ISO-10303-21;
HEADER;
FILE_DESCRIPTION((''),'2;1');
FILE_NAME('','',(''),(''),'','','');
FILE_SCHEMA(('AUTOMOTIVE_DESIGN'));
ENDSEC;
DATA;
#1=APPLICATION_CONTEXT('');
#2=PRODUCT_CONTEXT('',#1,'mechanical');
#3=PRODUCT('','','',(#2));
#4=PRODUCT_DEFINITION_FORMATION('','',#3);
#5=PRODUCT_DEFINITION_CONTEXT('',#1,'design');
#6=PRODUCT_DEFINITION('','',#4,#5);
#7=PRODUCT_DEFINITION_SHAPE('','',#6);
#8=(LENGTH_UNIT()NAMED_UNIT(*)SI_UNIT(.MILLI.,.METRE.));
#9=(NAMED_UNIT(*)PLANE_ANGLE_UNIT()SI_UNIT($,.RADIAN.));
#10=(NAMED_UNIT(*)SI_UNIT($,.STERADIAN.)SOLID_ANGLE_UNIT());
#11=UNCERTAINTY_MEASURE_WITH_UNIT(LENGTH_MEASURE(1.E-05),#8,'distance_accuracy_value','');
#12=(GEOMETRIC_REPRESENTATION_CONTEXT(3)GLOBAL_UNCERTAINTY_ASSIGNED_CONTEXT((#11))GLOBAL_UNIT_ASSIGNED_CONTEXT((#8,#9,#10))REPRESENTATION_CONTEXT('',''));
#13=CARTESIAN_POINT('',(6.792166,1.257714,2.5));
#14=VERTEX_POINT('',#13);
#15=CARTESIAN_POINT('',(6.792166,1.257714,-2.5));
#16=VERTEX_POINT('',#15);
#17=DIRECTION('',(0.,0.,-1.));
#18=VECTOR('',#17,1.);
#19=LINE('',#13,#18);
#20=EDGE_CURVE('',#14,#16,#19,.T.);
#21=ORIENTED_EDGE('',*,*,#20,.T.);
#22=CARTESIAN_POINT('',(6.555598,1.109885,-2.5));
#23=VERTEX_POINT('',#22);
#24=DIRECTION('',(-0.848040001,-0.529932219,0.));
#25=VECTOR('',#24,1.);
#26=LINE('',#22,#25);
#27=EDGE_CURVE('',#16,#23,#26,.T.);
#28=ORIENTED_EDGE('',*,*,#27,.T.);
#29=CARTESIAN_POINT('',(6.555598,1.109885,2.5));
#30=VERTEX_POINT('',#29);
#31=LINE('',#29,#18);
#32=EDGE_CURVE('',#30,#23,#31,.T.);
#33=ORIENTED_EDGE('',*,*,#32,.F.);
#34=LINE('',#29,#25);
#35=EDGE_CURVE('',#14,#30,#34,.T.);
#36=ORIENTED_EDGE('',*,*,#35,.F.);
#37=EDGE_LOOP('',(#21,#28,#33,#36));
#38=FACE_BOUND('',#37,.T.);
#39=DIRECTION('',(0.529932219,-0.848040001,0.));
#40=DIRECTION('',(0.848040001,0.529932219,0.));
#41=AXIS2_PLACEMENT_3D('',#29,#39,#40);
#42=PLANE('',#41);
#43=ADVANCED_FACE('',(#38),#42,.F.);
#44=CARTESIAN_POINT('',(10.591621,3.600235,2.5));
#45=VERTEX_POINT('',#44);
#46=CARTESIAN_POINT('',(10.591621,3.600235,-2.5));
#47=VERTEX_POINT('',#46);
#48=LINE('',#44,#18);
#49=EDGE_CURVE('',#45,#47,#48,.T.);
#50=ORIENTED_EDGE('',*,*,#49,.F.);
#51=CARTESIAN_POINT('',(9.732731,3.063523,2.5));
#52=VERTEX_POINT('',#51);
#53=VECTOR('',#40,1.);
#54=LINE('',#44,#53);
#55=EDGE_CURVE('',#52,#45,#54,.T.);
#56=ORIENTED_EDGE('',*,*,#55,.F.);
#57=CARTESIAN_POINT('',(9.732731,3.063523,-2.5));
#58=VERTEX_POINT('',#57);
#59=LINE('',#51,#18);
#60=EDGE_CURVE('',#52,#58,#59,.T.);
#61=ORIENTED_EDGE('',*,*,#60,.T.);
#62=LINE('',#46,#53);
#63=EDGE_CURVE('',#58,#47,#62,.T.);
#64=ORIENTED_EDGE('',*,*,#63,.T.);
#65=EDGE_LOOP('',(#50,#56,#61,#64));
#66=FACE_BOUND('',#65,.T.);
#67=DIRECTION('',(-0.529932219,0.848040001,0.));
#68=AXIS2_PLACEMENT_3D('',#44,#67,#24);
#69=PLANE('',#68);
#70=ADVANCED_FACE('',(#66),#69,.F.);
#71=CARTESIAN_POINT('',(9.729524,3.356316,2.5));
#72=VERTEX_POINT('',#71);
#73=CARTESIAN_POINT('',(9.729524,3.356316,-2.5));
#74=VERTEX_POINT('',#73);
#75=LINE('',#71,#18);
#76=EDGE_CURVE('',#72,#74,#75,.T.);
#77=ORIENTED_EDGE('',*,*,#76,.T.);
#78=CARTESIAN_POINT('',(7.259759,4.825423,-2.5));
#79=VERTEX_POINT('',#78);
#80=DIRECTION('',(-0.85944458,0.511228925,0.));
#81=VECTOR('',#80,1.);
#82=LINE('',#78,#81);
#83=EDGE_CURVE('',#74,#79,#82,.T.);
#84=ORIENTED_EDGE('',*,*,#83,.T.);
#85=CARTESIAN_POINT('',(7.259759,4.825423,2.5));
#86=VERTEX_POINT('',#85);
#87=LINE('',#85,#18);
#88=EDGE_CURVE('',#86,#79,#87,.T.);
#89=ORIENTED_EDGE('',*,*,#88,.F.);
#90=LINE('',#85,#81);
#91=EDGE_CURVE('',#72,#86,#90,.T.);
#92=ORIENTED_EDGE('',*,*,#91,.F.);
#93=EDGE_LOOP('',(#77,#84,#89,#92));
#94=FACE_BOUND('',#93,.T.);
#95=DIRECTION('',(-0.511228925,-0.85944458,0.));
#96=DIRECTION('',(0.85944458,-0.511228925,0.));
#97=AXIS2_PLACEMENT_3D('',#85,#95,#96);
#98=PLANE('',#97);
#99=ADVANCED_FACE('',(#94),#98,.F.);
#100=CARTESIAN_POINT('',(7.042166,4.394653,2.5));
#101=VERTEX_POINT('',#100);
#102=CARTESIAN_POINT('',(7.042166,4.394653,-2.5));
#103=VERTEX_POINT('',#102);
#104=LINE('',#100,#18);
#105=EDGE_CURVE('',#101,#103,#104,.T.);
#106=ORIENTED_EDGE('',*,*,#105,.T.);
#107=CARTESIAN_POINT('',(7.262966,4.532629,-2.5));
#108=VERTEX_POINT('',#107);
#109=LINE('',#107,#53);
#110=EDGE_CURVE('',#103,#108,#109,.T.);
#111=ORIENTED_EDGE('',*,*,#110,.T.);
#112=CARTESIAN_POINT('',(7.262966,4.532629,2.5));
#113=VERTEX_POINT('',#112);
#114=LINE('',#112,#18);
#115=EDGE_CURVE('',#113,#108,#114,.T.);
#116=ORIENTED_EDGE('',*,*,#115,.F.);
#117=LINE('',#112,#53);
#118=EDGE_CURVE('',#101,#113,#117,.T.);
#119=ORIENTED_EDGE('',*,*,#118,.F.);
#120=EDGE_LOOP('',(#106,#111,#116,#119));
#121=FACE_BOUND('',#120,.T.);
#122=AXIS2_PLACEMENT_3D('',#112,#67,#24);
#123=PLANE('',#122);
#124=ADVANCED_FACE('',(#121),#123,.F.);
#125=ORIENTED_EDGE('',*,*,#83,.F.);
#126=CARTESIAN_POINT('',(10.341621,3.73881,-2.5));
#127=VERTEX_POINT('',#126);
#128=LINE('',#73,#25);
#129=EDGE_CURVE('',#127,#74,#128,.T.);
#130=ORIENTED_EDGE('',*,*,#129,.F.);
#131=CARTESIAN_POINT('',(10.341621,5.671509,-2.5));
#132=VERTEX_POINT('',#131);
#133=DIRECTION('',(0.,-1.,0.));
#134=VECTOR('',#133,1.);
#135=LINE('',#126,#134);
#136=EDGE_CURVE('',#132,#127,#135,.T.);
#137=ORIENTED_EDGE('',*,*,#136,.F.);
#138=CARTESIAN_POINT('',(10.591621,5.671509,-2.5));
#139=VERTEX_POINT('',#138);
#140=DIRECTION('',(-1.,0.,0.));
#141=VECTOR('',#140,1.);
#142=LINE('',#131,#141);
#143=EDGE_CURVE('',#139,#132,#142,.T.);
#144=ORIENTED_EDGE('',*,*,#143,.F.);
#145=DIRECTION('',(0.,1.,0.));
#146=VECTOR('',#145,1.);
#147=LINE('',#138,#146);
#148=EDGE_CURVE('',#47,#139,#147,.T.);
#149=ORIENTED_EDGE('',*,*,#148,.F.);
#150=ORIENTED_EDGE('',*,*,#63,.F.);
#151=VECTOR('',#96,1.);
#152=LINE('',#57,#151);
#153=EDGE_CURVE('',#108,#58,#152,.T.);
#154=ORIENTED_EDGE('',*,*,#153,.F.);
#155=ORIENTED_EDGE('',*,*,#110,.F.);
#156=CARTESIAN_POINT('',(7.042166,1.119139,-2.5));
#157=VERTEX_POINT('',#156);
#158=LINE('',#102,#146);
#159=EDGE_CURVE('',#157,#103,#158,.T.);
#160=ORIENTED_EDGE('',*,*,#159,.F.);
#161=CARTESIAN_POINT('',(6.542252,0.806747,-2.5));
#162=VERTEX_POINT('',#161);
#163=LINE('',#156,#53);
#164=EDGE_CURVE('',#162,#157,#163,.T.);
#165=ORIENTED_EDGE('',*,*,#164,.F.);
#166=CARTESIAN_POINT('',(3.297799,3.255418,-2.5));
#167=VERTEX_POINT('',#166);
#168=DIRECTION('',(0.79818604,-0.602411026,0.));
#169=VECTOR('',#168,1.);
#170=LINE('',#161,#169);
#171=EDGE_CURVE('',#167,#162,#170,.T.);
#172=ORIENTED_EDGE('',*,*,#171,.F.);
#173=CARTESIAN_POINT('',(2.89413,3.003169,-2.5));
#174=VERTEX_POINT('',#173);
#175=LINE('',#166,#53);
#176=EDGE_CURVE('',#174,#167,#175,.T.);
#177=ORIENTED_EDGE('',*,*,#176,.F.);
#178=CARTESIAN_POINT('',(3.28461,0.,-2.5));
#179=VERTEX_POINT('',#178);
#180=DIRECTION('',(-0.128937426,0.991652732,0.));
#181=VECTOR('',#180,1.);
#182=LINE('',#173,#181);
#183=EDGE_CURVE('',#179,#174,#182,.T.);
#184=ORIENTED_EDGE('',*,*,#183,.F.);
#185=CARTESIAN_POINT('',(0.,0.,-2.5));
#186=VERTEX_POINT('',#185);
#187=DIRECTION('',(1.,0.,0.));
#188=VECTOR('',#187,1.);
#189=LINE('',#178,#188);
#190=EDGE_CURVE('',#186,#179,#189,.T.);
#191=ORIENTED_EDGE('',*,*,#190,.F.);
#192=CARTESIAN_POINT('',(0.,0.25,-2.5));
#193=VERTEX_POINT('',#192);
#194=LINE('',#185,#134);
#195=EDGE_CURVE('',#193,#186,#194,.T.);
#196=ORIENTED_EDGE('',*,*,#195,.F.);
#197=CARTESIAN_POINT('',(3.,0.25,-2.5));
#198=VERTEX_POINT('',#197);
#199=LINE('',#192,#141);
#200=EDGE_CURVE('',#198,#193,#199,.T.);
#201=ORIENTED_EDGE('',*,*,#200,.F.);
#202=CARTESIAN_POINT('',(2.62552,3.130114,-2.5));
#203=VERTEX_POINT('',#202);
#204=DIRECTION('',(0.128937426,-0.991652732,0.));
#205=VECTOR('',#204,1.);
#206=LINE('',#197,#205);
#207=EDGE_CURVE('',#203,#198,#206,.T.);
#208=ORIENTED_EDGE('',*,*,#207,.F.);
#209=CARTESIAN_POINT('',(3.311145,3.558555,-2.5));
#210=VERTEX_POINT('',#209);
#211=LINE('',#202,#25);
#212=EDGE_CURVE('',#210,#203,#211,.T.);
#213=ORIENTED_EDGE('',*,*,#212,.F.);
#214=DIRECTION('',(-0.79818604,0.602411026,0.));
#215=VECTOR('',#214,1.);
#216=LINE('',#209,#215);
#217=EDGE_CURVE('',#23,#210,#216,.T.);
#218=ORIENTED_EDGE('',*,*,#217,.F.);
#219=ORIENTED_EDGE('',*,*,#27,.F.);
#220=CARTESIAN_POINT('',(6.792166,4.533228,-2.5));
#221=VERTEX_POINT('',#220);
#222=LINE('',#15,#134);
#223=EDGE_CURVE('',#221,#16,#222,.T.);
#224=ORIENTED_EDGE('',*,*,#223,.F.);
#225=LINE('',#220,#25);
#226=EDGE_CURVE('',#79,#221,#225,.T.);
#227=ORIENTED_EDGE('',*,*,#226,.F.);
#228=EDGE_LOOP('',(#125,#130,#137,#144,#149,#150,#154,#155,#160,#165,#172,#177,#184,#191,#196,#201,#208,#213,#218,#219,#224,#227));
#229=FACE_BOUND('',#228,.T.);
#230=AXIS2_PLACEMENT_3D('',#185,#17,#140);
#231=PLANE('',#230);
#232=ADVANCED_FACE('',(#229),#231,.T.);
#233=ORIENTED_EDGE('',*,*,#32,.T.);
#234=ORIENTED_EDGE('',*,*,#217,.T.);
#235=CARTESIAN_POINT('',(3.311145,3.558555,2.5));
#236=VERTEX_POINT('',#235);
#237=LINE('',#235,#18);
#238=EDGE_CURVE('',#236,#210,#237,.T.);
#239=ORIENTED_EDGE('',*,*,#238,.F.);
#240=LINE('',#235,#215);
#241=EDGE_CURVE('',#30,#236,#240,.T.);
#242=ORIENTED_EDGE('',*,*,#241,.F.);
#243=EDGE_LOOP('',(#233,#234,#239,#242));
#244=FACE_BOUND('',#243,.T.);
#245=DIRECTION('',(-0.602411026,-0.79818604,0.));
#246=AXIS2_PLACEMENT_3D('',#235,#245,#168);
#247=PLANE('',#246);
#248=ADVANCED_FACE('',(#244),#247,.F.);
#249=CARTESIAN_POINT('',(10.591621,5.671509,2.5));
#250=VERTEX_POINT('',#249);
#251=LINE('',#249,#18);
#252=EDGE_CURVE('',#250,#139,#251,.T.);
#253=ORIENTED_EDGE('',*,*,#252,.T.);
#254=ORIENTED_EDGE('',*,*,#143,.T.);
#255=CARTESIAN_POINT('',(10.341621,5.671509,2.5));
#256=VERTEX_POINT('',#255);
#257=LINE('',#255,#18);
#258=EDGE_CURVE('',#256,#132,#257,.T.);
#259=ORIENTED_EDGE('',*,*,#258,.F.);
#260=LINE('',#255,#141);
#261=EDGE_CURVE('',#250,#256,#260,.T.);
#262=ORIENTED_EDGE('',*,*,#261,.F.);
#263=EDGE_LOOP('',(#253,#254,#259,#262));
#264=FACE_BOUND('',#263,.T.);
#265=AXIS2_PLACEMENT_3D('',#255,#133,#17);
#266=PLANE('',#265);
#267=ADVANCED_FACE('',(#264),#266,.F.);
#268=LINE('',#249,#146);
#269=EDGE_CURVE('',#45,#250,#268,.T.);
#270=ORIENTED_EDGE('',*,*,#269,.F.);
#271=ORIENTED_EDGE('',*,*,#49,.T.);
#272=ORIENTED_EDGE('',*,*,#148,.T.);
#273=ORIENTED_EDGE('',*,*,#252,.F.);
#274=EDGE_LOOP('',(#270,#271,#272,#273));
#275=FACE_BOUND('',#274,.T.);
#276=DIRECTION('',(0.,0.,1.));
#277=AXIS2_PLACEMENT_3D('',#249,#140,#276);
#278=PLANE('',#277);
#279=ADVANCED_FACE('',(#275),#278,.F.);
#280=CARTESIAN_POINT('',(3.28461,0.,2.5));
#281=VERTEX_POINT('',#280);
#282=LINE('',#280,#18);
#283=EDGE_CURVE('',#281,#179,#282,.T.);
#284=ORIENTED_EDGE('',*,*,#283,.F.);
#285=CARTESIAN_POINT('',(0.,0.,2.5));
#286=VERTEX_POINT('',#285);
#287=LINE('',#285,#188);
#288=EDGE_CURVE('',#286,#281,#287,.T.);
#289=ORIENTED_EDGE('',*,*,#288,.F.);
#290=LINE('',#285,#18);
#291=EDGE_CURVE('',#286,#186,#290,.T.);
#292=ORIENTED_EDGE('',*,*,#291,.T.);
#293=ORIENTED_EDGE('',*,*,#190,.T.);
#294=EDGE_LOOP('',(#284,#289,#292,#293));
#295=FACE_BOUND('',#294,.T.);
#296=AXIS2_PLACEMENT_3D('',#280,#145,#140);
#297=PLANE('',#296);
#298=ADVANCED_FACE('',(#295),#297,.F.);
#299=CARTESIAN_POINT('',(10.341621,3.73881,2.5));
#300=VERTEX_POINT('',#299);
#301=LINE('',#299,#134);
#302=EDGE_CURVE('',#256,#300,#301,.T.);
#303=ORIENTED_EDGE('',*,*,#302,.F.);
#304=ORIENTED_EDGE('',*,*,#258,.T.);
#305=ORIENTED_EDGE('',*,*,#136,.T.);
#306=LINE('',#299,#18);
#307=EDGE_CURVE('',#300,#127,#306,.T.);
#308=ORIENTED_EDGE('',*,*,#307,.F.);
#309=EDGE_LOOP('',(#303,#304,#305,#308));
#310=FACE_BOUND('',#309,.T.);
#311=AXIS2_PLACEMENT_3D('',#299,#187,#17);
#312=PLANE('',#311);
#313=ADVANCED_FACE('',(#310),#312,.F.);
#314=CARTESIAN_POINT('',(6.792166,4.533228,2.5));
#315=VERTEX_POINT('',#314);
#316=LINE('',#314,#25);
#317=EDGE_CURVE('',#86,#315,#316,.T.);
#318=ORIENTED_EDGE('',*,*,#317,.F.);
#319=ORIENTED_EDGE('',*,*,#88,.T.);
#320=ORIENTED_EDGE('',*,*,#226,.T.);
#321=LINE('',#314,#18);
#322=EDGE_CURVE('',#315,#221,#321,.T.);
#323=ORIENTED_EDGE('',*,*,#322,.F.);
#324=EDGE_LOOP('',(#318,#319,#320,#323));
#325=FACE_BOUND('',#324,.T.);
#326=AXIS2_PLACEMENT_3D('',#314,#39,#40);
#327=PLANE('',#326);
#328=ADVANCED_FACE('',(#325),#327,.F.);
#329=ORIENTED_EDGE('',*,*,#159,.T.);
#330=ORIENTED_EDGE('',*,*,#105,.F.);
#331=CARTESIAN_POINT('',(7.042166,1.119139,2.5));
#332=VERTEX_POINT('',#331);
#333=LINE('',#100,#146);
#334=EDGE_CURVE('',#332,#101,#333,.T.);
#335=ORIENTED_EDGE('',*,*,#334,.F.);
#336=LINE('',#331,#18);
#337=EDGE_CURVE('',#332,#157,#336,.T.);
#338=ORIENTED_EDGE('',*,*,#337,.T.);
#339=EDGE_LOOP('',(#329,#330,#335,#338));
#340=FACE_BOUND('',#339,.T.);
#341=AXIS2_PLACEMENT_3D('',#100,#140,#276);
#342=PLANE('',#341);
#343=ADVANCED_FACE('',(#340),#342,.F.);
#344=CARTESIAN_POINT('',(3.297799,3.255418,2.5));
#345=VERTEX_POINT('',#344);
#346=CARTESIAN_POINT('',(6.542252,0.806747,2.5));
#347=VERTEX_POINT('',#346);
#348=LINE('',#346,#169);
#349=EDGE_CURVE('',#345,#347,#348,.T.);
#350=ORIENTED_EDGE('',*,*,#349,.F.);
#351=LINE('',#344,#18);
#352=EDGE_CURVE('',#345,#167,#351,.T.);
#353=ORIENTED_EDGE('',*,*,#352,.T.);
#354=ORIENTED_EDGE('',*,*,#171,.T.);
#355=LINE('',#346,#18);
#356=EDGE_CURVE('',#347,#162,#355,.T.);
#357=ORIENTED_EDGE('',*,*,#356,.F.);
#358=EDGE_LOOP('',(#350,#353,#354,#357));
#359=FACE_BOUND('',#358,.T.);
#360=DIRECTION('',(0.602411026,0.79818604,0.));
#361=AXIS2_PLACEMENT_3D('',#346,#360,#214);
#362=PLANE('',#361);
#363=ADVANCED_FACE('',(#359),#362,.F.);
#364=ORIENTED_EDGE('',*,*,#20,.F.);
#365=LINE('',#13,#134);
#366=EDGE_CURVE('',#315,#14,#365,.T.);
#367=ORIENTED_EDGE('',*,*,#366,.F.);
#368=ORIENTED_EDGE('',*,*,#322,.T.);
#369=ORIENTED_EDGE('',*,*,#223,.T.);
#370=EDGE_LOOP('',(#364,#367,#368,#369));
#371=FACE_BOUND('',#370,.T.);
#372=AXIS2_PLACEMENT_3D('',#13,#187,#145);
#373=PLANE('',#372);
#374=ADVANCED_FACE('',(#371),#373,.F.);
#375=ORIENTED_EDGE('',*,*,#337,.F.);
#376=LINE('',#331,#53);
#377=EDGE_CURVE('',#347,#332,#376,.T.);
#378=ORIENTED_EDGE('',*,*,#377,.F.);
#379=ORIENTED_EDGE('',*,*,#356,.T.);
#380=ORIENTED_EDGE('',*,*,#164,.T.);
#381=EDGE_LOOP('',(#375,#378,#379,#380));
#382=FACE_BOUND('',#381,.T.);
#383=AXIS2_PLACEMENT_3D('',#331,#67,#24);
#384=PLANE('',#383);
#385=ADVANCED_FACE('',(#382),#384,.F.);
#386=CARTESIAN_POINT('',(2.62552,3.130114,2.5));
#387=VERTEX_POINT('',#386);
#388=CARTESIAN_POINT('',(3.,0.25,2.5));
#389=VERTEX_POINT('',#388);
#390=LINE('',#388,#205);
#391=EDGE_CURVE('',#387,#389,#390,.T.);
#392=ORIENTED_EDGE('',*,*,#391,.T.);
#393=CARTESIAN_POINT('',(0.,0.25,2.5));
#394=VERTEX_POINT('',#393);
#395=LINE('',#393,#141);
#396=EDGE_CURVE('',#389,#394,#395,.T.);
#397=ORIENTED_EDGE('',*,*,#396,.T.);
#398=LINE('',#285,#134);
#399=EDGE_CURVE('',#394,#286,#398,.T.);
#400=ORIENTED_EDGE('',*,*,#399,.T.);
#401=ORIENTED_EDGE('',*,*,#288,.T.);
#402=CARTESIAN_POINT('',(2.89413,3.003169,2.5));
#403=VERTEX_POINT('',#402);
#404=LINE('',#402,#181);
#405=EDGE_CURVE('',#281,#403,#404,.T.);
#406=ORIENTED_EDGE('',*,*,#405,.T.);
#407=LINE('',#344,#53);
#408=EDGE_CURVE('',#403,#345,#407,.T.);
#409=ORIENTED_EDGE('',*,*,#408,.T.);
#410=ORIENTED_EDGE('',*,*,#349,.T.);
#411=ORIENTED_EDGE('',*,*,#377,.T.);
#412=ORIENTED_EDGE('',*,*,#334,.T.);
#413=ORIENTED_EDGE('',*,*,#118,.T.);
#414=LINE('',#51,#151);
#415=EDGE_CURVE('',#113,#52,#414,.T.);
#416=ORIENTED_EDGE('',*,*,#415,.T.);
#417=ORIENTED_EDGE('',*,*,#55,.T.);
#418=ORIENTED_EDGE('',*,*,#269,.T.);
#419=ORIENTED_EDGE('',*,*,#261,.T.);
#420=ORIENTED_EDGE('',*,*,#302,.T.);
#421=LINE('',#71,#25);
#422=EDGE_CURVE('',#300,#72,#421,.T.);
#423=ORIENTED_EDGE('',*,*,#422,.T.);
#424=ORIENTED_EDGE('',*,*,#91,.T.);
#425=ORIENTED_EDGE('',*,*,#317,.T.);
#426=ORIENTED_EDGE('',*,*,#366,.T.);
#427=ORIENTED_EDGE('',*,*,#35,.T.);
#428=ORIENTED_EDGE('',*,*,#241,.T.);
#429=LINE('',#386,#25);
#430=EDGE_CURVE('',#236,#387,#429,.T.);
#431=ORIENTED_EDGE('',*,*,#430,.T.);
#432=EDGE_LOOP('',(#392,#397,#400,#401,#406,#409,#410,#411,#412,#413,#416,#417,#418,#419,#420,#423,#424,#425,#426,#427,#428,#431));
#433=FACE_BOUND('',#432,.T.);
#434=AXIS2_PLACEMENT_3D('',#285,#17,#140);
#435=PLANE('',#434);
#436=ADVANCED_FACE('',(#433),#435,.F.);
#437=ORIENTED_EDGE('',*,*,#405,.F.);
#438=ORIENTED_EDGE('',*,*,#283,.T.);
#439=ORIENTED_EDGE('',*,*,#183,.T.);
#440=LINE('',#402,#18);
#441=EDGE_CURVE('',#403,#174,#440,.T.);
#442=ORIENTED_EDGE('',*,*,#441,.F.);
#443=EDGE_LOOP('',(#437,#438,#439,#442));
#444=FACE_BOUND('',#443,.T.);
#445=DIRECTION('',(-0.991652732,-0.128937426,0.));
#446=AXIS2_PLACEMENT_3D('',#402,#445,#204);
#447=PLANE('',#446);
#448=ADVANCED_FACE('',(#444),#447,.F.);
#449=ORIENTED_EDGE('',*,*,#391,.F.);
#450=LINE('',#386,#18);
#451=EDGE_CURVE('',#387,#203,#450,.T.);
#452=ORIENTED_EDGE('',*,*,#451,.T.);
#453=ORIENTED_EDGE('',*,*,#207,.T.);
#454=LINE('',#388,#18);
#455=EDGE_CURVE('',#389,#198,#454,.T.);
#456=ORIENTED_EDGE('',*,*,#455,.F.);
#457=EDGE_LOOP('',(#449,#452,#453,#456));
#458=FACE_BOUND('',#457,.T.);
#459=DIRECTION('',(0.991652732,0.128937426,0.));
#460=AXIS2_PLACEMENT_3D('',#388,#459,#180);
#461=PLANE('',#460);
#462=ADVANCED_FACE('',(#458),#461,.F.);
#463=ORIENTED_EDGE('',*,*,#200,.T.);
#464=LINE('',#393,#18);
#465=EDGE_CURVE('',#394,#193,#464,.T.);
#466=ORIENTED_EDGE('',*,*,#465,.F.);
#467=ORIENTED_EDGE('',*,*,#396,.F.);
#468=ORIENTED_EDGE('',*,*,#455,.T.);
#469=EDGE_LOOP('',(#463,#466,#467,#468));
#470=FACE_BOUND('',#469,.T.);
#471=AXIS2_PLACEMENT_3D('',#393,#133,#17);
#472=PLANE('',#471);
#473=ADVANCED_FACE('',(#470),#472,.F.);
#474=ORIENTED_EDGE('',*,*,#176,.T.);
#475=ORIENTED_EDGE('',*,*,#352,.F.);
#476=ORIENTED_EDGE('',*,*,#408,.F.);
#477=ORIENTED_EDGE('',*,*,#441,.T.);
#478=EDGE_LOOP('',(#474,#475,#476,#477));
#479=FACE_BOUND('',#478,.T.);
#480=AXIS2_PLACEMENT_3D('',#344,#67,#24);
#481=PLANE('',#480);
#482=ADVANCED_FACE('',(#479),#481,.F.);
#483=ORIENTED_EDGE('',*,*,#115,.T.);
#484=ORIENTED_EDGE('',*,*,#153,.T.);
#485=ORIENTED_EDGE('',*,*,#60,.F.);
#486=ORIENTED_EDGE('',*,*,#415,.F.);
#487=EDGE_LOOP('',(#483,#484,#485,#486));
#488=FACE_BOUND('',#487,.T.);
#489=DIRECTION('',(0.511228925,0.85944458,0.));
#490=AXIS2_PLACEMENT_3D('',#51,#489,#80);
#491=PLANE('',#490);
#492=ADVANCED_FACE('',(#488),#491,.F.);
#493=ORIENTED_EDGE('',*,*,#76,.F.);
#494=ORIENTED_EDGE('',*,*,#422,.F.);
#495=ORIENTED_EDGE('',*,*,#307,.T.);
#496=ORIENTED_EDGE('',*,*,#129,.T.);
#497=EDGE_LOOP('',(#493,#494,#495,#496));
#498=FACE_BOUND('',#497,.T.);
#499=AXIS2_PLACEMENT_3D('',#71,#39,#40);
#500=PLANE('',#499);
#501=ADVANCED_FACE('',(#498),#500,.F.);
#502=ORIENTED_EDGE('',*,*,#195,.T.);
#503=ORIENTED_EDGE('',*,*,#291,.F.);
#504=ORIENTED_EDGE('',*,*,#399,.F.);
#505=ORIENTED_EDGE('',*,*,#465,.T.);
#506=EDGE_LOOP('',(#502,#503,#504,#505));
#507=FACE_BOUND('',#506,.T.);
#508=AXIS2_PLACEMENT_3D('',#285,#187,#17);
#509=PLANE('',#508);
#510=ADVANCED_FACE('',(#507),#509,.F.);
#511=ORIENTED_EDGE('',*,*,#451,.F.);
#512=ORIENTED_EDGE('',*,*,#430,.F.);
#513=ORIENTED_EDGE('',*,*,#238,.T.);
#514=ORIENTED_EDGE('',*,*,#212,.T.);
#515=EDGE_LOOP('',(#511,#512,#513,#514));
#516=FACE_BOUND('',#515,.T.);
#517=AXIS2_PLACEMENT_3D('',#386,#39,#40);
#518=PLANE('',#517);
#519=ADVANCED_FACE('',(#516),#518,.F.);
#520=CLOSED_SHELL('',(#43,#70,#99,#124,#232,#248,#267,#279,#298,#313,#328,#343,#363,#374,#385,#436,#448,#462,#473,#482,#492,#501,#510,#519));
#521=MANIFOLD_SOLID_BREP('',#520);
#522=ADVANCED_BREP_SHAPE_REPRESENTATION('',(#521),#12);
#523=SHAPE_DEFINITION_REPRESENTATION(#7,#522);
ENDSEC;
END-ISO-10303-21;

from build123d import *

# Parameters (mm, degrees)
BOSS_EXTRUDE1_DEPTH = 2.5


with BuildPart() as part:
    # frame_outline → Boss-Extrude1 (new, symmetric)
    with BuildSketch(Plane.XY):
        Polygon((0, 0), (0, 0.25), (3, 0.25), (2.625519601, 3.130114195), (3.311145122, 3.558555133), (6.555598399, 1.109884861), (6.792166473, 1.257714025), (6.792166473, 4.533228245), (7.259759156, 4.825422514), (9.729524263, 3.356316312), (10.341620659, 3.738809591), (10.341620659, 5.671508671), (10.591620659, 5.671508671), (10.591620659, 3.600234825), (9.732731436, 3.063523029), (7.262966329, 4.532629231), (7.042166473, 4.394653478), (7.042166473, 1.119139258), (6.542252093, 0.806747465), (3.297798816, 3.255417737), (2.894129781, 3.003168755), (3.284610073, 0), (3, 0), align=None)
    extrude(amount=BOSS_EXTRUDE1_DEPTH, both=True)


solid = part.part
